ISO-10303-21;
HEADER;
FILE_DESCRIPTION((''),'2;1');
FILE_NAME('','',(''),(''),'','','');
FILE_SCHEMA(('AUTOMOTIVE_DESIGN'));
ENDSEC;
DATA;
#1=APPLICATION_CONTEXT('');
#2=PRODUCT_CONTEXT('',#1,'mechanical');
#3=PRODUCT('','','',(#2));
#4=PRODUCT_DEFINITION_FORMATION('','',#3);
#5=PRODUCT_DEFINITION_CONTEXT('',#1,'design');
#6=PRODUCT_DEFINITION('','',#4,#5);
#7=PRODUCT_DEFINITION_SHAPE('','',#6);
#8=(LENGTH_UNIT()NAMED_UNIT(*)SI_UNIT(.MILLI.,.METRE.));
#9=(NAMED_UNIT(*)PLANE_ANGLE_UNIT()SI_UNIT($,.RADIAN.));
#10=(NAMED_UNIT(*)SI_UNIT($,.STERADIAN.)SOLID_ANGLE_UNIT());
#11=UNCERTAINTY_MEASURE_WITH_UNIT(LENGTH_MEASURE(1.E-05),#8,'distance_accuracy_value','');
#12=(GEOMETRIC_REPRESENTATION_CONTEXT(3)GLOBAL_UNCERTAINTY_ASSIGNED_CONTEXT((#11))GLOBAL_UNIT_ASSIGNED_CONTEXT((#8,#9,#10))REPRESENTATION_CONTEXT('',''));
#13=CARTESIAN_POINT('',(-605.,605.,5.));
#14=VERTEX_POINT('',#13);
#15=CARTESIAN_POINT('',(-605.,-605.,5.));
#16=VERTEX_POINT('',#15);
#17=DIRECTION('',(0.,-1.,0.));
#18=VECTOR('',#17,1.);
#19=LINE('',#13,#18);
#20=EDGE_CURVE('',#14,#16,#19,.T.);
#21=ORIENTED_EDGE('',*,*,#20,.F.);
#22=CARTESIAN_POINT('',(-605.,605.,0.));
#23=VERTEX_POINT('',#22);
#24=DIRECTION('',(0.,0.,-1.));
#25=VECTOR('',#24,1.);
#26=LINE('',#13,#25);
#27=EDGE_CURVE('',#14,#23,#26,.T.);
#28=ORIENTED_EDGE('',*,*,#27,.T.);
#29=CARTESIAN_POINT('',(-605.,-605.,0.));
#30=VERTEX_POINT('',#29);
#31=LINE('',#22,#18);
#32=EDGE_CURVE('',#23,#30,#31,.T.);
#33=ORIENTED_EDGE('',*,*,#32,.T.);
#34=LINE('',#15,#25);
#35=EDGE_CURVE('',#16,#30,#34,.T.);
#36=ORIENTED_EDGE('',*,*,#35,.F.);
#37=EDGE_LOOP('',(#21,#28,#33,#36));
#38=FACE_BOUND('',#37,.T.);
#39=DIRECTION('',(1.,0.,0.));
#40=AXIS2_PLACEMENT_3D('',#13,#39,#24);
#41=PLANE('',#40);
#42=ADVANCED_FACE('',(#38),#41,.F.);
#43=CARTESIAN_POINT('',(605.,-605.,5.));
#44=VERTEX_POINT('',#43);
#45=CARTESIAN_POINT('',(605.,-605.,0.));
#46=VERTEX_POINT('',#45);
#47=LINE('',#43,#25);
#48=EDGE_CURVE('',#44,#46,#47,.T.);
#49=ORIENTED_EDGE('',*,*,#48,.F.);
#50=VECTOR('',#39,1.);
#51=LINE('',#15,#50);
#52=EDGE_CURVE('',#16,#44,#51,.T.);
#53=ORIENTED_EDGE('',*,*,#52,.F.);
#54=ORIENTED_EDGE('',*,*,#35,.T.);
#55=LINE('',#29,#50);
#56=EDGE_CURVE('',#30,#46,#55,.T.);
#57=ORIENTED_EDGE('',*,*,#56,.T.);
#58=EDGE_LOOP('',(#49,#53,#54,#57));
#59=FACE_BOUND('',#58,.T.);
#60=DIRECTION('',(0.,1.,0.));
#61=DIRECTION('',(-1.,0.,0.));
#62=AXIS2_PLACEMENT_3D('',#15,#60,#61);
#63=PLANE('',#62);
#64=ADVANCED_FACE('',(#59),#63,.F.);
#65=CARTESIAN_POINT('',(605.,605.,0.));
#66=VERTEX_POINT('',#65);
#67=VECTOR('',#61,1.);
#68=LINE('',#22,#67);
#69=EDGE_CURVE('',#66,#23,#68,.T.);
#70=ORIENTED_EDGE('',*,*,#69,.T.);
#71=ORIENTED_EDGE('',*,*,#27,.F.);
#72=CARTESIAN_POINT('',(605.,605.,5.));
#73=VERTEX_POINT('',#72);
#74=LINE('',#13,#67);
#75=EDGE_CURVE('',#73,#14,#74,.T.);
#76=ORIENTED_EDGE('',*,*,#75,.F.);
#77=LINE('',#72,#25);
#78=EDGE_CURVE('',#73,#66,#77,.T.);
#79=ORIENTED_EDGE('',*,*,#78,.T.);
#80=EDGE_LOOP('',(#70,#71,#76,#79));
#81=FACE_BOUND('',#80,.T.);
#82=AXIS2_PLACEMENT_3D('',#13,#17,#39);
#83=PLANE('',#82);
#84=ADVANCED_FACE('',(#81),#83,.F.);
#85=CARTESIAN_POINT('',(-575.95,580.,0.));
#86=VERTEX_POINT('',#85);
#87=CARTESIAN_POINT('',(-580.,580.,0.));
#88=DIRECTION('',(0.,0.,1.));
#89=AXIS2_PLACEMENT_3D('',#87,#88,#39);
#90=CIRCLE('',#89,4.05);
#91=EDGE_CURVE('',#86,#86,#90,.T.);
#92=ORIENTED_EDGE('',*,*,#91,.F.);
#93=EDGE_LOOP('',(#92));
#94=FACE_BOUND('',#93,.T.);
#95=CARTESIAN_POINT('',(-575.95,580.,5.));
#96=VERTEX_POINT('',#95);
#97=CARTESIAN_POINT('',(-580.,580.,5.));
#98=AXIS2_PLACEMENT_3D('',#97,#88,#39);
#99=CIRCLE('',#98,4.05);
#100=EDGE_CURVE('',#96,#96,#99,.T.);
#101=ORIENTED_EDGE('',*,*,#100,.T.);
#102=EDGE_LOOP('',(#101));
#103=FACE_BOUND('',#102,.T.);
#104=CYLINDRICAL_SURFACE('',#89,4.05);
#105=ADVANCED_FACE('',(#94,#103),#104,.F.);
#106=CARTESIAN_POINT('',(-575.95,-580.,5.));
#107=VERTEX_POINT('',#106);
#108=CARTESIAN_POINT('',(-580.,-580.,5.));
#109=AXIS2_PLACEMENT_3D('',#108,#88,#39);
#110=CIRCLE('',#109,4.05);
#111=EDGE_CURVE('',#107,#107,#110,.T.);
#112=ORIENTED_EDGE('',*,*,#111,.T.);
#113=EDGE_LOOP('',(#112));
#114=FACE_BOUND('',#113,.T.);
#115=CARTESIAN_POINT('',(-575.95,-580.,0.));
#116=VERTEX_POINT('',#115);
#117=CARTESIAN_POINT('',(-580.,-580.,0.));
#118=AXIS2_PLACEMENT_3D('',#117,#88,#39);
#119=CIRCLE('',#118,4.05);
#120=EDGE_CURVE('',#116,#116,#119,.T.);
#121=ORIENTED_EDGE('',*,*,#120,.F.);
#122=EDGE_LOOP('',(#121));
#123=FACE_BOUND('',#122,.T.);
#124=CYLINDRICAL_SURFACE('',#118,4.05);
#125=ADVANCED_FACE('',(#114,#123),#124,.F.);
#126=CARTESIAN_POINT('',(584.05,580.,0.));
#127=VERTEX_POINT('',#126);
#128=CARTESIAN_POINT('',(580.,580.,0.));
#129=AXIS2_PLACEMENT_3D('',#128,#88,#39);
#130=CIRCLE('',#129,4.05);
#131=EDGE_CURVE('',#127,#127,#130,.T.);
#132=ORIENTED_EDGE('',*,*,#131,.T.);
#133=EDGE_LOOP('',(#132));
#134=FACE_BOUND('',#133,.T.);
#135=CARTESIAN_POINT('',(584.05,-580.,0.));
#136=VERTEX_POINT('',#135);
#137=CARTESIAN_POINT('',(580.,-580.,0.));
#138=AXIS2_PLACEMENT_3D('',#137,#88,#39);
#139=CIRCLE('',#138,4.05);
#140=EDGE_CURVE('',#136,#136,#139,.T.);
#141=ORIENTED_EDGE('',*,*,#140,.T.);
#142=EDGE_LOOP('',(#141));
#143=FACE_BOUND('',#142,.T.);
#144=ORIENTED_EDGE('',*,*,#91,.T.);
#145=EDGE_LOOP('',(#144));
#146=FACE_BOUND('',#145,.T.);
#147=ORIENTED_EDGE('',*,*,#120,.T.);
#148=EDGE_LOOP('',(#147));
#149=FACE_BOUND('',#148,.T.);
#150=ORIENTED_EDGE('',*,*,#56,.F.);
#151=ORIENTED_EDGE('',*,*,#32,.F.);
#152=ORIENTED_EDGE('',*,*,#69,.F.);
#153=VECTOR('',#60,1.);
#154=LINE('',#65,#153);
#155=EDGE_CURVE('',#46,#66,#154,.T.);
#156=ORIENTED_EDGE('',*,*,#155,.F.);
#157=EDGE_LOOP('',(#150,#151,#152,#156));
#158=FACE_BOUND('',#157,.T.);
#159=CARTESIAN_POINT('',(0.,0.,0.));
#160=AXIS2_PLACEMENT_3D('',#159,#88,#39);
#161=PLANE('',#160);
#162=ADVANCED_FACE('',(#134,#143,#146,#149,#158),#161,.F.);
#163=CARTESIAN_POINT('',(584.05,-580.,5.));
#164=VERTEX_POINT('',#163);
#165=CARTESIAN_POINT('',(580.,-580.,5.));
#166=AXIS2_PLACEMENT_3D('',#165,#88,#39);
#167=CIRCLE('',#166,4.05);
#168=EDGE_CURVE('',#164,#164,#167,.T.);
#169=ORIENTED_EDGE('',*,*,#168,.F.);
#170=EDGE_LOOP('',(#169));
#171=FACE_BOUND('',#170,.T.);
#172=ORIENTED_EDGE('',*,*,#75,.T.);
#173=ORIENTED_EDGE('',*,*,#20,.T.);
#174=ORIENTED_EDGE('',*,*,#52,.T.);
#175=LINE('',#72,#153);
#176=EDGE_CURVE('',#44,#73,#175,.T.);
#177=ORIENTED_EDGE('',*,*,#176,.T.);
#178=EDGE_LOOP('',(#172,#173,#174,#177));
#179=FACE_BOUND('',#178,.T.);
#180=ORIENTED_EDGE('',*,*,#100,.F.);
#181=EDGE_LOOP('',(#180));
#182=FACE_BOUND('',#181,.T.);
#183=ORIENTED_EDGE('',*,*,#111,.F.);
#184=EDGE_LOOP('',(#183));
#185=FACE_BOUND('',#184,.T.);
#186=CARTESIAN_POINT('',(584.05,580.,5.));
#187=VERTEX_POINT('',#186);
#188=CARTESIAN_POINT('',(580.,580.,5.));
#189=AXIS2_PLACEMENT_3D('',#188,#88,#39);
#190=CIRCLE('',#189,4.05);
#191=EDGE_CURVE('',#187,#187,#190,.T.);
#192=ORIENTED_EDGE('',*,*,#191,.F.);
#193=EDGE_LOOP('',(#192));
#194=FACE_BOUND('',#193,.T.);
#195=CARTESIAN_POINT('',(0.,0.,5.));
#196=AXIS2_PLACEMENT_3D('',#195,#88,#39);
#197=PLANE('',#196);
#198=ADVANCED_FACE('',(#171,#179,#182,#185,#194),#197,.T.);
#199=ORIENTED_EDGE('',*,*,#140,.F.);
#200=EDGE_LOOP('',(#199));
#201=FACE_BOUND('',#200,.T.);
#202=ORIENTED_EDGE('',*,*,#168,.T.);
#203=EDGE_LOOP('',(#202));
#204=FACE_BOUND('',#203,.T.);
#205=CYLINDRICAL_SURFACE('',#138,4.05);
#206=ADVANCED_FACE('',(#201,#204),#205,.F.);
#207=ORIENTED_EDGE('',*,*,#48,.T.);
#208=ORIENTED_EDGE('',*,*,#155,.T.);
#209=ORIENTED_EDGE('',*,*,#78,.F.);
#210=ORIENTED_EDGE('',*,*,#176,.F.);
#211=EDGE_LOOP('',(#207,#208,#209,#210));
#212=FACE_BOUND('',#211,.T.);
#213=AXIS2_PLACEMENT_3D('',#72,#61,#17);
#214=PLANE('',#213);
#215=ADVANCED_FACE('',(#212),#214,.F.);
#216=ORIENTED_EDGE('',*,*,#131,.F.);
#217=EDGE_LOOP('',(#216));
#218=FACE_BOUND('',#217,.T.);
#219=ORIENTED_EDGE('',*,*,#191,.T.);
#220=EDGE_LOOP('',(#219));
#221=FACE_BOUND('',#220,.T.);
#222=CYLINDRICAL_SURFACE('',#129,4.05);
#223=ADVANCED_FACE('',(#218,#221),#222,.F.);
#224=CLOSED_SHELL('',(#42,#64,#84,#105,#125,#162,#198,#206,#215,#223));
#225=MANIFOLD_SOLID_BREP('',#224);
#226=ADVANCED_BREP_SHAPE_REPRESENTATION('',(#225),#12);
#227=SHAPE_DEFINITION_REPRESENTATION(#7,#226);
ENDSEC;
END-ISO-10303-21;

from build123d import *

# Parameters (mm, degrees)
SKETCH_1_W                  = 1210
SKETCH_1_H                  = 1210
EXTRUDE_1_DEPTH             = 5
SKETCH_2_R                  = 4.05
CUT_EXTRUDE_1_DEPTH         = 5
PATTERN_LINEAR_1_COUNT      = 2
PATTERN_LINEAR_1_PITCH      = 1160
PATTERN_LINEAR_1_COUNT_DIR2 = 2
PATTERN_LINEAR_1_PITCH_DIR2 = 1160


with BuildPart() as part:
    # 草图1 → 凸台-拉伸1 (new body)
    with BuildSketch(Plane.XY):
        Rectangle(SKETCH_1_W, SKETCH_1_H)
    extrude(amount=EXTRUDE_1_DEPTH)

    # 草图2 → 切除-拉伸1 (cut)
    with BuildSketch(Plane.XY.offset(5)):
        with Locations((580, 580)):
            Circle(SKETCH_2_R)
    cut_extrude_1 = extrude(amount=-CUT_EXTRUDE_1_DEPTH, mode=Mode.SUBTRACT)

    # 阵列(线性)1: Cut-Extrude 1 2 × 2
    with Locations(*[(-i * PATTERN_LINEAR_1_PITCH, -j * PATTERN_LINEAR_1_PITCH_DIR2, 0) for i in range(PATTERN_LINEAR_1_COUNT) for j in range(PATTERN_LINEAR_1_COUNT_DIR2) if (i, j) != (0, 0)]):
        add(cut_extrude_1, mode=Mode.SUBTRACT)


solid = part.part
